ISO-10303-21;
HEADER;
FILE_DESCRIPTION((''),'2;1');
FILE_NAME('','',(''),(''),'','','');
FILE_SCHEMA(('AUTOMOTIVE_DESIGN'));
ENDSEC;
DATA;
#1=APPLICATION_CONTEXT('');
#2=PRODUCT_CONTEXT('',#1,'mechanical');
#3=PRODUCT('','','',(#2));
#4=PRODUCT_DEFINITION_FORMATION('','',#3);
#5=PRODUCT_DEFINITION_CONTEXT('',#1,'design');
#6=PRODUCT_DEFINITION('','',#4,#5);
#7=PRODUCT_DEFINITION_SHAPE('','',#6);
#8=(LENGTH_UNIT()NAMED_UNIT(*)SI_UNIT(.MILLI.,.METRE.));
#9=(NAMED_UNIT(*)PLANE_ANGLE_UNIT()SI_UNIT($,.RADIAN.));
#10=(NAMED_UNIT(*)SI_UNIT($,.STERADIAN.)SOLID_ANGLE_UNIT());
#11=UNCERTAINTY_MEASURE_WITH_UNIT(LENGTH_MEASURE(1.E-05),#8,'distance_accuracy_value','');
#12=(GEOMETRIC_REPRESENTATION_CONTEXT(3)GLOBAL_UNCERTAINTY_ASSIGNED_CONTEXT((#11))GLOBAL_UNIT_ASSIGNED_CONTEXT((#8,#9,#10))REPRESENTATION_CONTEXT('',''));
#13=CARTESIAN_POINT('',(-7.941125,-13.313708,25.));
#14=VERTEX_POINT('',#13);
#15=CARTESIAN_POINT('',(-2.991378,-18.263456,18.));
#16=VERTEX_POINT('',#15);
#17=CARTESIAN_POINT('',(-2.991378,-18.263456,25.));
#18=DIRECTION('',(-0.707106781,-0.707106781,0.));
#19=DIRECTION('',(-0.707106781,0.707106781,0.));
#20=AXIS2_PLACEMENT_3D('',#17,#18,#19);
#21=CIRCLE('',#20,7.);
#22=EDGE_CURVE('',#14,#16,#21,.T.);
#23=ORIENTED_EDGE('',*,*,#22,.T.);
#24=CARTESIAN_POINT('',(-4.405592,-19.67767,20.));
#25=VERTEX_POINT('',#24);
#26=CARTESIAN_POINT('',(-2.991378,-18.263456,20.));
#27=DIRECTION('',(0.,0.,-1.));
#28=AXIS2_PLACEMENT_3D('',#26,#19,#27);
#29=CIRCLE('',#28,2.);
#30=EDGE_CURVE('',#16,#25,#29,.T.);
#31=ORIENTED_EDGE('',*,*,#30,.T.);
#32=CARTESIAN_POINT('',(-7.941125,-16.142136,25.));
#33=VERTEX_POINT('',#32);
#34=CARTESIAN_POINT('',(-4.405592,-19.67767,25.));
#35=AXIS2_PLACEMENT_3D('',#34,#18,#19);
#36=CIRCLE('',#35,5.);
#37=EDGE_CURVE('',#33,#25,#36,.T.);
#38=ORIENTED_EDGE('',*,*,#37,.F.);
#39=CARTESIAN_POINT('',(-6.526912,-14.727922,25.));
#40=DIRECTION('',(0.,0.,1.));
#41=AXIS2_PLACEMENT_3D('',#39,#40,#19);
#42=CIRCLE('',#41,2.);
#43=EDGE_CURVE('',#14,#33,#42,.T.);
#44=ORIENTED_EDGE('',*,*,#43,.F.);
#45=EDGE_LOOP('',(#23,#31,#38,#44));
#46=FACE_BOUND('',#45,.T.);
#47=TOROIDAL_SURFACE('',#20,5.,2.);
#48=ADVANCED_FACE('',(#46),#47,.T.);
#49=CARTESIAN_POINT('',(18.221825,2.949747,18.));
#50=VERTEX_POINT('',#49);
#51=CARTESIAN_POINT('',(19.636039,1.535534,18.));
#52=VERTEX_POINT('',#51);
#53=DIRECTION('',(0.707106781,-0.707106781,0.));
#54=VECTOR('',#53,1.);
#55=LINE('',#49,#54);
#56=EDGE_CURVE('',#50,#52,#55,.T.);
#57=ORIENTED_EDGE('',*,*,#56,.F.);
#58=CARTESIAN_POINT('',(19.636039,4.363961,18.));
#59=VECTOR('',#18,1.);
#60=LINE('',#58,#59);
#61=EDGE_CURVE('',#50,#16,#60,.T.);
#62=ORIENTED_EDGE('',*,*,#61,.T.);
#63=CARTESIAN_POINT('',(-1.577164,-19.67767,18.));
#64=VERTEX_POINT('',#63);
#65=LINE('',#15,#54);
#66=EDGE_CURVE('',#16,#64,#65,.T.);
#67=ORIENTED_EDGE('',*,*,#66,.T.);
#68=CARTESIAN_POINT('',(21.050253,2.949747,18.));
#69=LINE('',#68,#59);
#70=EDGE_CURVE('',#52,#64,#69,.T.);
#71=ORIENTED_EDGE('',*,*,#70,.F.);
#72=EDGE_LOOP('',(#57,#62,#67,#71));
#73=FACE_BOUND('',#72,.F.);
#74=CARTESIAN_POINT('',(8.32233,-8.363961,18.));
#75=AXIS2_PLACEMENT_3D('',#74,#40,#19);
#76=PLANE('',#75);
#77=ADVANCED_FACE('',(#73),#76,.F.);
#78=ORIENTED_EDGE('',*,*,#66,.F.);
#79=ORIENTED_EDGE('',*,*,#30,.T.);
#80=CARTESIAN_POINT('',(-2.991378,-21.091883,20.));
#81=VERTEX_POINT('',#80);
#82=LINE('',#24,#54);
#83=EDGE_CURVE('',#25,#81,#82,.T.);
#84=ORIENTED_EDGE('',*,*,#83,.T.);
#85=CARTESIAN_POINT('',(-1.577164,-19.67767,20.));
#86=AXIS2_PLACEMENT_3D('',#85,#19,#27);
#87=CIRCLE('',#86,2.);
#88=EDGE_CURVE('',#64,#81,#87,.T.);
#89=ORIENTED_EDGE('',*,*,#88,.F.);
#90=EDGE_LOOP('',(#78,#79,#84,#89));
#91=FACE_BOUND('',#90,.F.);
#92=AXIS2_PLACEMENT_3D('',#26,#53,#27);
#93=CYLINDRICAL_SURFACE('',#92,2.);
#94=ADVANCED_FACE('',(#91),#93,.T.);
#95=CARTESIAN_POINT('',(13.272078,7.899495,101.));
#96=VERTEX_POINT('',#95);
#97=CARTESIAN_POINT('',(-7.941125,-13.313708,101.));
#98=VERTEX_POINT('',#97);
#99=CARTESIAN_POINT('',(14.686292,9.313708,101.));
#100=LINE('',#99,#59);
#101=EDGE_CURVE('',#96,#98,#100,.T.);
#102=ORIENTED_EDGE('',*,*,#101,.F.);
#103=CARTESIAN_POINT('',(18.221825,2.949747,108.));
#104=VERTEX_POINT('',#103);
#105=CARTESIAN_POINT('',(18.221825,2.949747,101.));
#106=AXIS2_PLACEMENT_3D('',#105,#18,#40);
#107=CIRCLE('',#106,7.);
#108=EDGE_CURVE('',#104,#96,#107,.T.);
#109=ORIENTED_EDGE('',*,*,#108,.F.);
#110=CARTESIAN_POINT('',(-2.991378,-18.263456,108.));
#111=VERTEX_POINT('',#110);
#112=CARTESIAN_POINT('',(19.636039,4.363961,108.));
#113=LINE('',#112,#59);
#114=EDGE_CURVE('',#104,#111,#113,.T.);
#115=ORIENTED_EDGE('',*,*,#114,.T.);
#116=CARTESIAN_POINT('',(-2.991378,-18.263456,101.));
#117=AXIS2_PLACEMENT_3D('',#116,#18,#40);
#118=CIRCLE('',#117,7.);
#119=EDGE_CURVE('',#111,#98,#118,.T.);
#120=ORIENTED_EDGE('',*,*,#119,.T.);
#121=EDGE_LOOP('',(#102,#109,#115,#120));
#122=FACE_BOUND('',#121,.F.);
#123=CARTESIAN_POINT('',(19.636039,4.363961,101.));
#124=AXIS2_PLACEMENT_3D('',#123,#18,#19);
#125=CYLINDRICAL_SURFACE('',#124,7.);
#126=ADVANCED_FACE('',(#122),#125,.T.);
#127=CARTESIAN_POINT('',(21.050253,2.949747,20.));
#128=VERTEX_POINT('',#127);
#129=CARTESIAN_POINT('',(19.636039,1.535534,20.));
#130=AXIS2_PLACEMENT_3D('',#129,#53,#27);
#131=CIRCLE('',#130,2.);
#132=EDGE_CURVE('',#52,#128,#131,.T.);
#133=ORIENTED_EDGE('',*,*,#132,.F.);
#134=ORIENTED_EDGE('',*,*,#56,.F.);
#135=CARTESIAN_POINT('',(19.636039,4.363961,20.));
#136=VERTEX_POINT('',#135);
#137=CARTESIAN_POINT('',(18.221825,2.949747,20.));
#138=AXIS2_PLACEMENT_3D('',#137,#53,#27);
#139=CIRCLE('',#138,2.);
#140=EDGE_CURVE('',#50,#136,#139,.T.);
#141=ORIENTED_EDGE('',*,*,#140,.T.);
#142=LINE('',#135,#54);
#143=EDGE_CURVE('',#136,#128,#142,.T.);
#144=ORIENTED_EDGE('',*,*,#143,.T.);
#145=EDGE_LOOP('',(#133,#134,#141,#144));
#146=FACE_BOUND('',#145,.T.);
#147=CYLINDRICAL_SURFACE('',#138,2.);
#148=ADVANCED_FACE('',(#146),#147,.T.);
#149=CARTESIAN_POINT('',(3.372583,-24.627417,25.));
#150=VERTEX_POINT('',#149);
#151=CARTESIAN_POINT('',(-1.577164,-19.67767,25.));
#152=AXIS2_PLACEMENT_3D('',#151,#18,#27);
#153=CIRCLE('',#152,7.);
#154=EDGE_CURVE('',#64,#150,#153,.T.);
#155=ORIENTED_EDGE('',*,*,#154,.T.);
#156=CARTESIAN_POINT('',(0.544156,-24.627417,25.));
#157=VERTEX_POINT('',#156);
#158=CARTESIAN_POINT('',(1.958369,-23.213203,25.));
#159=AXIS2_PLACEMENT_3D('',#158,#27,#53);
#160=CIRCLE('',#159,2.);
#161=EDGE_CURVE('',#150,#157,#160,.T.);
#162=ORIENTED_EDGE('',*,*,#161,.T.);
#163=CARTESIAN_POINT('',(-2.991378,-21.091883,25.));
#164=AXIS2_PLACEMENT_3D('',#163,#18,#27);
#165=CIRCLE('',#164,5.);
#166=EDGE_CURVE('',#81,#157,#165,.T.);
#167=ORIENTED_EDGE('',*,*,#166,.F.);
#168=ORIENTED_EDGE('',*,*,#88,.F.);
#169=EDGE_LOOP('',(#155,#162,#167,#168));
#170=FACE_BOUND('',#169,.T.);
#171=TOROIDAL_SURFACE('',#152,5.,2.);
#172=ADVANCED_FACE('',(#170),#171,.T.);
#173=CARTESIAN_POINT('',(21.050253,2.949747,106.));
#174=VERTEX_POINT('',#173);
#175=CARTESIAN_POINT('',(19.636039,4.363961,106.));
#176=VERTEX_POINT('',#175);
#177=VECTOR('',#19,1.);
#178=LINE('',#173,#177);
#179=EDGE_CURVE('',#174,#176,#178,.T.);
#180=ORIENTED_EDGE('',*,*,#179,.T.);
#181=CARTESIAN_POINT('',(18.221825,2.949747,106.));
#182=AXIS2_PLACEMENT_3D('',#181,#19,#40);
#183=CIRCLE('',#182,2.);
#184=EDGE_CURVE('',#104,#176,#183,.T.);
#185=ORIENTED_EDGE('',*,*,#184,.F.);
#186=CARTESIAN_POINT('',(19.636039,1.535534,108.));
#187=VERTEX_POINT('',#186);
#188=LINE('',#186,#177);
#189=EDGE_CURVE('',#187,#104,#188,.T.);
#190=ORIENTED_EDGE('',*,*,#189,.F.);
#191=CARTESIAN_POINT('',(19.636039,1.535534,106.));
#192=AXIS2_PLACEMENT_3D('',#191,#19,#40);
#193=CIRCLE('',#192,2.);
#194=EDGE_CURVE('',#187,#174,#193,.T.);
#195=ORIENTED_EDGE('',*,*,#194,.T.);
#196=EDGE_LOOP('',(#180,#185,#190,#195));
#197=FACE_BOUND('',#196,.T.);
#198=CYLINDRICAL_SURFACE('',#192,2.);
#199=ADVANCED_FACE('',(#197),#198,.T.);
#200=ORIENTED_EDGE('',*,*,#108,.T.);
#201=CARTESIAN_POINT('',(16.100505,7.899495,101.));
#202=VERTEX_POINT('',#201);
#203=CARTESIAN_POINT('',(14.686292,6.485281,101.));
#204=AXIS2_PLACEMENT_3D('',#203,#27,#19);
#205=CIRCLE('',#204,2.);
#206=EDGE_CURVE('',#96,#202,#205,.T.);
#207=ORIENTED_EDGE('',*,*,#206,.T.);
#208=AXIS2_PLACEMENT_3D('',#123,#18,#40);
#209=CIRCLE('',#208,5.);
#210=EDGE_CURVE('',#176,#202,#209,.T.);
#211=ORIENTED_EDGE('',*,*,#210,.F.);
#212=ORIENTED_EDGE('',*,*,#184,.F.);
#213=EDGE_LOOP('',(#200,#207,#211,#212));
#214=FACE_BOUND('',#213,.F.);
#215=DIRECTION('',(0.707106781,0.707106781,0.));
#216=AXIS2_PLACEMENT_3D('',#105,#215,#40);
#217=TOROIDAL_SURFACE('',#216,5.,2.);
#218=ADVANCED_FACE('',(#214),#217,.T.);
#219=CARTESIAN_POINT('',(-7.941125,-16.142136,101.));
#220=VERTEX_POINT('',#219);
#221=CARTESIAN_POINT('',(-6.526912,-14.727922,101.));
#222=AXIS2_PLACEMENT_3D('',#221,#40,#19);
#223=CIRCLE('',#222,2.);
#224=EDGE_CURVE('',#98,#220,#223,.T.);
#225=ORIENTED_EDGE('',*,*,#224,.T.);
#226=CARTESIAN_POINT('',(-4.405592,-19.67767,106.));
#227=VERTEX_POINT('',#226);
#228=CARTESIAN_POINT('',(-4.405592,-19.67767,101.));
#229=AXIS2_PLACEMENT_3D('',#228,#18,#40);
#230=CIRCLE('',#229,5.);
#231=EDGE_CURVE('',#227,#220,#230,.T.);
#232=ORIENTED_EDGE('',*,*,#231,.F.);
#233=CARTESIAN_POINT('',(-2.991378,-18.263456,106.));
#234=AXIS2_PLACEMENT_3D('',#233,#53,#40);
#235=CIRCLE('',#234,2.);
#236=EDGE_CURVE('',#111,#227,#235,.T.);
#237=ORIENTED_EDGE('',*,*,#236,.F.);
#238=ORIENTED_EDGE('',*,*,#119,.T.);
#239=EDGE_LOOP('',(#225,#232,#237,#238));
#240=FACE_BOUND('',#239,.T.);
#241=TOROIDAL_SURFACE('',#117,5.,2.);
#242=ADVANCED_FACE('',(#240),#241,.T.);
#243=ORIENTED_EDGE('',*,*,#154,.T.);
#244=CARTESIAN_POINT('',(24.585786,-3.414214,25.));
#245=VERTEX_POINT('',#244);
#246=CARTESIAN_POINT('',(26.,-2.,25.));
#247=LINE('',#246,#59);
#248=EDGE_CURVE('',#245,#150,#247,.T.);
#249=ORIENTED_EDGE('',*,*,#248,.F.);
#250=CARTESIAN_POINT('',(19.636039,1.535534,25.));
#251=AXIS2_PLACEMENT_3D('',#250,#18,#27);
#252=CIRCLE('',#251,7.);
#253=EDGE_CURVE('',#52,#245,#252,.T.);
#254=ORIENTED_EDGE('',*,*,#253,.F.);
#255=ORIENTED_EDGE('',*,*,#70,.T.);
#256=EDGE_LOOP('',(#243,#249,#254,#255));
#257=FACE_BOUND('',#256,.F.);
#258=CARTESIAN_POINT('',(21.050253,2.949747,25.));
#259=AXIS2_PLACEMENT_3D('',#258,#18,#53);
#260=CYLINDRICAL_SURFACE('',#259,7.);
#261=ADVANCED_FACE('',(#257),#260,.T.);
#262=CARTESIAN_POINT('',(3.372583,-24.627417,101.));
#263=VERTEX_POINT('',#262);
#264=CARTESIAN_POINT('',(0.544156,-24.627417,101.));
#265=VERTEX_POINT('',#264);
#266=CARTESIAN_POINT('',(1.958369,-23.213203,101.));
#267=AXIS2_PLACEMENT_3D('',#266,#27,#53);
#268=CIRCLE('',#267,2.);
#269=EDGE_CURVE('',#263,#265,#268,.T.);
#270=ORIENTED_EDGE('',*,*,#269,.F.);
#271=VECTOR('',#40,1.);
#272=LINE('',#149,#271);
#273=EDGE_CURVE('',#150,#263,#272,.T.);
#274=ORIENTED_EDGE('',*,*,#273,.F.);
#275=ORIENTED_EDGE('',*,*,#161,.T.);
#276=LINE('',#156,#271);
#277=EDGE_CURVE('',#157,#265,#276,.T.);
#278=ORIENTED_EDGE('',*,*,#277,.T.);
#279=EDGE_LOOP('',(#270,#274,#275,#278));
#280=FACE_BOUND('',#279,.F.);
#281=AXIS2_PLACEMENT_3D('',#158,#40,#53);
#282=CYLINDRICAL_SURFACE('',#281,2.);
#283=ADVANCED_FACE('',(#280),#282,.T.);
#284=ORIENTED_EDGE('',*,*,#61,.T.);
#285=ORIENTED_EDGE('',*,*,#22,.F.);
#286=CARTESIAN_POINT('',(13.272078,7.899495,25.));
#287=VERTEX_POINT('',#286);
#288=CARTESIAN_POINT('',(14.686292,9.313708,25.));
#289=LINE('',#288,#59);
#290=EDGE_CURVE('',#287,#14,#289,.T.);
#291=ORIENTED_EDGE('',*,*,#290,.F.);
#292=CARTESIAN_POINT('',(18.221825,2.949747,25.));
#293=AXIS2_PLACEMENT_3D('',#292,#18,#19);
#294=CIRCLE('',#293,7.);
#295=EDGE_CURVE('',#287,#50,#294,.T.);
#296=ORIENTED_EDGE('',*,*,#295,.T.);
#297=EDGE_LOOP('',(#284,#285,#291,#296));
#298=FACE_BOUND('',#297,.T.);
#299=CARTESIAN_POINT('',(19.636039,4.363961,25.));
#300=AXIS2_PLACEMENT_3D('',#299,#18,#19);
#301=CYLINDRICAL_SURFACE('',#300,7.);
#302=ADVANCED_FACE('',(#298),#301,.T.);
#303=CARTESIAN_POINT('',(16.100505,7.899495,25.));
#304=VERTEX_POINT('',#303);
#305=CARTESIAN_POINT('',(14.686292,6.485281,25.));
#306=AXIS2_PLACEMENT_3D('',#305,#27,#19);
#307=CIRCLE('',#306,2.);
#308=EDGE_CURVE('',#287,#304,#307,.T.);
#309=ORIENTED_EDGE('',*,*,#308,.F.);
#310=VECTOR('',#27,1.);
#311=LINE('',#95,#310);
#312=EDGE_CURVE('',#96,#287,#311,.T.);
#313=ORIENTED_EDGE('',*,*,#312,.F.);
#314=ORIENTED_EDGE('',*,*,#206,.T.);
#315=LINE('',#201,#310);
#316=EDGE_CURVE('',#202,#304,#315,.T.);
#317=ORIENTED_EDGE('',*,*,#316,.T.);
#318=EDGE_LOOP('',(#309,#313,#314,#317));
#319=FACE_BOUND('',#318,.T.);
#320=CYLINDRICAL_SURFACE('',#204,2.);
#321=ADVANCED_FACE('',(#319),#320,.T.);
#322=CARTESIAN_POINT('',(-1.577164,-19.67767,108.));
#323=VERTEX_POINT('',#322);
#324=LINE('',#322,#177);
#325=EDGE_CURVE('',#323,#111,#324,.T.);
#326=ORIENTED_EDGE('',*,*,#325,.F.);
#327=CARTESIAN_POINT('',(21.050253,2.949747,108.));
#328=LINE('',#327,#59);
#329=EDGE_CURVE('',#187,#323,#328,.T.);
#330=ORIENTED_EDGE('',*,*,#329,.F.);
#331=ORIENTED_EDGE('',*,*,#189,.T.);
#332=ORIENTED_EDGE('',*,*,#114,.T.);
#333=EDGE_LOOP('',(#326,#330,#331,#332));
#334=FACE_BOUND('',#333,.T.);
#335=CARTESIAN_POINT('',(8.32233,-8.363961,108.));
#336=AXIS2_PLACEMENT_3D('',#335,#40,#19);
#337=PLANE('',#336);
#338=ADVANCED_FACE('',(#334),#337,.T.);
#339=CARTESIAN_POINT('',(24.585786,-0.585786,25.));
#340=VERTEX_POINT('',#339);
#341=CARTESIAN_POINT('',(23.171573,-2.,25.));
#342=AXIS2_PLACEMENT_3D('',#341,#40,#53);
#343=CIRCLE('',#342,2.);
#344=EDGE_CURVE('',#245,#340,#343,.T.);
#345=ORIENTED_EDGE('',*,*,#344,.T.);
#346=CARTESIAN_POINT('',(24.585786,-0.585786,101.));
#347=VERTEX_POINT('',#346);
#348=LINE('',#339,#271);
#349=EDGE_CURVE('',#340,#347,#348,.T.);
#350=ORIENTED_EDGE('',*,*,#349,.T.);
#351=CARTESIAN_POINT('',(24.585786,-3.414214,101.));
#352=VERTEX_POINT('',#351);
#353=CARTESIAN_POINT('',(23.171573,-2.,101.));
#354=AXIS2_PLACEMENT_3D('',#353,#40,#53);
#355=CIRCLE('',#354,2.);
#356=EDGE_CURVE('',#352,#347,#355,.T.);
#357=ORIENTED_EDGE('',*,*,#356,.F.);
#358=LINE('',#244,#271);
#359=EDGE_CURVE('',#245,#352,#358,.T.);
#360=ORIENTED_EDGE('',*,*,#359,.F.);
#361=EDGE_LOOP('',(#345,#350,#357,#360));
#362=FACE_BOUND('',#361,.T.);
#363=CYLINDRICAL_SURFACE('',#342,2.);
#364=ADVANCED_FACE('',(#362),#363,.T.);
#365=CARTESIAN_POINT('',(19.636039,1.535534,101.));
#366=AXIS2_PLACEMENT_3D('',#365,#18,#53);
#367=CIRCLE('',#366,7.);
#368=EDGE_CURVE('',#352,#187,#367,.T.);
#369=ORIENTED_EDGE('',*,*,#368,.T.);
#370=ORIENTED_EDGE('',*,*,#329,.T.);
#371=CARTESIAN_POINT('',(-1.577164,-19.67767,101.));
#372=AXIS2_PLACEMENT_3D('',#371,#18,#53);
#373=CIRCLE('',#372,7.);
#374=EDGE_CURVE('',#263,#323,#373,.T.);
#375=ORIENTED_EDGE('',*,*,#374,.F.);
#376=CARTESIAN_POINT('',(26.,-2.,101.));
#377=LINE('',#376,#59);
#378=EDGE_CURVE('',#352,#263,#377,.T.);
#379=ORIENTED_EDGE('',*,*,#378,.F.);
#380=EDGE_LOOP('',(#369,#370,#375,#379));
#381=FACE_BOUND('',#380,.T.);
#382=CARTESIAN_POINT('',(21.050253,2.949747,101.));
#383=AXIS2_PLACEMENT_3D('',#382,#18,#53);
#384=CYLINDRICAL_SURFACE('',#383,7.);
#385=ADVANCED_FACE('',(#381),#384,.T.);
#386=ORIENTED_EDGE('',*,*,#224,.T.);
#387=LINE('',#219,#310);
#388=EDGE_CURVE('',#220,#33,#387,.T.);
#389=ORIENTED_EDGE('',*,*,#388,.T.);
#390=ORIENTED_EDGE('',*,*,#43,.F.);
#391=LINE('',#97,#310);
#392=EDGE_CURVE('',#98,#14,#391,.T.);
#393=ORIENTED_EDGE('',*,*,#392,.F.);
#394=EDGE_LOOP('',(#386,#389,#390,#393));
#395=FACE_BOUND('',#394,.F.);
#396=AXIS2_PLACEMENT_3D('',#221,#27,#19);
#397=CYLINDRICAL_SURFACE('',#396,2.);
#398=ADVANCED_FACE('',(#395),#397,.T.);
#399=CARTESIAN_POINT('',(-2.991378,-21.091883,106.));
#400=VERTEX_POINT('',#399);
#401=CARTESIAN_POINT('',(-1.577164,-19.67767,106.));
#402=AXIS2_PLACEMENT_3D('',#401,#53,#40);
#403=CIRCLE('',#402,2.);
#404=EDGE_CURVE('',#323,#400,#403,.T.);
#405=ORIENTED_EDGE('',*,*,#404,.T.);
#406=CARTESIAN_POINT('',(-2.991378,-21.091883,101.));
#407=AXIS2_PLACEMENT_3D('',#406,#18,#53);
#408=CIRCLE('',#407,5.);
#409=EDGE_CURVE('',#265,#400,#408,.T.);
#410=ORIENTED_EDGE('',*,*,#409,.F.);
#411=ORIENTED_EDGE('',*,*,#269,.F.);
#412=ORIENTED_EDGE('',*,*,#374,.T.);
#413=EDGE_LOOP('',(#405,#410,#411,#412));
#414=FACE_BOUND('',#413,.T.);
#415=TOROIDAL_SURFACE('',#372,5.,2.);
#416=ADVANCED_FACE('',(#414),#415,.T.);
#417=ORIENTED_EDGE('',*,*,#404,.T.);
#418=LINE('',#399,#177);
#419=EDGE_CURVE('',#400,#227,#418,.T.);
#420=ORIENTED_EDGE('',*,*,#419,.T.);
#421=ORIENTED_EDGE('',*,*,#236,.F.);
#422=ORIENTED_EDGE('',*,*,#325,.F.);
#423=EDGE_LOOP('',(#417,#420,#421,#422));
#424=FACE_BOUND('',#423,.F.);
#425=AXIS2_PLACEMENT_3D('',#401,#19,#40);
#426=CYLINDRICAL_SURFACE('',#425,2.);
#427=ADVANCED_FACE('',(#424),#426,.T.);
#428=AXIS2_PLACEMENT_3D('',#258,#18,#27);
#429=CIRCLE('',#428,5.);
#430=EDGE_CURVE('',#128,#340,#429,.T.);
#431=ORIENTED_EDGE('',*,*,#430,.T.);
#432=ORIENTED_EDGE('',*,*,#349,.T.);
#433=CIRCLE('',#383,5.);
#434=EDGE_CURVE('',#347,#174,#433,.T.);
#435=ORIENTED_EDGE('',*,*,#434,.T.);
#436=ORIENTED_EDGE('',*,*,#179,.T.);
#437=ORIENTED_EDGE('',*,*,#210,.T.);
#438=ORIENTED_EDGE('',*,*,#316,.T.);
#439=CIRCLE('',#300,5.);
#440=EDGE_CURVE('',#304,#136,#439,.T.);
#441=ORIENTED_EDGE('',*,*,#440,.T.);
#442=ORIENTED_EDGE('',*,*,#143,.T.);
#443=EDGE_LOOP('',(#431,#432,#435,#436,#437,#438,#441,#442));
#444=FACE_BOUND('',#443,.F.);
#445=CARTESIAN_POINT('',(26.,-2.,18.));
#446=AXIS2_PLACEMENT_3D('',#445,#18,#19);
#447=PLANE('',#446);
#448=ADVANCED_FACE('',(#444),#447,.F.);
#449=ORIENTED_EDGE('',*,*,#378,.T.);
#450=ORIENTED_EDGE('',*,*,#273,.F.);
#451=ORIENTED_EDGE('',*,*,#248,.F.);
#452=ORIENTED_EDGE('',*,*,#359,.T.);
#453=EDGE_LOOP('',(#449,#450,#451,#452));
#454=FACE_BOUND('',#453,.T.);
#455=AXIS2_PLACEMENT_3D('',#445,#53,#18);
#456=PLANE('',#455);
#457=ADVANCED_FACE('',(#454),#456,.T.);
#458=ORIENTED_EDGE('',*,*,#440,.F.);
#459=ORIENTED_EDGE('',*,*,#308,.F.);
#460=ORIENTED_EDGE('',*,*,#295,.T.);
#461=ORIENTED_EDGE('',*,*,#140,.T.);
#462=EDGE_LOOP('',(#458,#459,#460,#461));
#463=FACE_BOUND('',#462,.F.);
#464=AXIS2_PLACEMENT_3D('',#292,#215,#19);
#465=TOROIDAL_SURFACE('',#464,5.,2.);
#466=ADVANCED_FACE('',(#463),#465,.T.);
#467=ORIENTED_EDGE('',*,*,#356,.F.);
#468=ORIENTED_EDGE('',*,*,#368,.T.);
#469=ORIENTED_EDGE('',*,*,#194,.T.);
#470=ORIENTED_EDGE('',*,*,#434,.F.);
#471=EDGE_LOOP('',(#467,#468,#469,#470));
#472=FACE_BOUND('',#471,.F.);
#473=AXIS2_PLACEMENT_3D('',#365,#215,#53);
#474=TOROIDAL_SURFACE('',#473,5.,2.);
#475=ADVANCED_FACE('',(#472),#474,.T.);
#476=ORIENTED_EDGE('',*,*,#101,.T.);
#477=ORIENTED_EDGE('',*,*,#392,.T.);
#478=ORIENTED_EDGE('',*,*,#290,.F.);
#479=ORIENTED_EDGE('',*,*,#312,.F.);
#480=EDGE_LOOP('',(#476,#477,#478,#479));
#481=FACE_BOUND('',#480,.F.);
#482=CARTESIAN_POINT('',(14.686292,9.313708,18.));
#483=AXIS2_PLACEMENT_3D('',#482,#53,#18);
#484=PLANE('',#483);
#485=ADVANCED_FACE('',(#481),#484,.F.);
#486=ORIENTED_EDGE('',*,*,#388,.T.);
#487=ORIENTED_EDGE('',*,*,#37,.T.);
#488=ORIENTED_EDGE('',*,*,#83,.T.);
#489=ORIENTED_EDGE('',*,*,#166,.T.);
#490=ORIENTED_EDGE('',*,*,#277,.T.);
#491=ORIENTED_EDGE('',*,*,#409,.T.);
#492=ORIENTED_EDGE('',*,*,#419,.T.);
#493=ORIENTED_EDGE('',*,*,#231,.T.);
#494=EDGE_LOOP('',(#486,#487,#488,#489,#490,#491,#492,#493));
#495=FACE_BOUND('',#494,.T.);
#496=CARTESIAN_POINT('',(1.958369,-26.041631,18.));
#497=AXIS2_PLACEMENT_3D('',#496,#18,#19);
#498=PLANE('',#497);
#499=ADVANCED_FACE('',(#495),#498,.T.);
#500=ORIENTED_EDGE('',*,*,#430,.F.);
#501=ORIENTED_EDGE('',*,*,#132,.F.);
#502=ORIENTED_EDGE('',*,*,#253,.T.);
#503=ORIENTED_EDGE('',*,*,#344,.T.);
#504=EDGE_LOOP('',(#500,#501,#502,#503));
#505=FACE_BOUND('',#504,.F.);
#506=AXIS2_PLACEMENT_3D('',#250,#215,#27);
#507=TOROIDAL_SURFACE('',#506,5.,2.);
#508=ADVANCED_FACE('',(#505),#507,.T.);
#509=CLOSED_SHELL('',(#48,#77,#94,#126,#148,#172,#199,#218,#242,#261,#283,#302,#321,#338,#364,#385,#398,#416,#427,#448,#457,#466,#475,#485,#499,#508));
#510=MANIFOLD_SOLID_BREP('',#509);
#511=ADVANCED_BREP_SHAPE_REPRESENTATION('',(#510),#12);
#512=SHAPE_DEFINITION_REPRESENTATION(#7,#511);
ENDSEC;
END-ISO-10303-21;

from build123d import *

# Parameters (mm, degrees)
BOX016_W                  = 16
BOX016_H                  = 34
BOX016_DEPTH              = 90
BOX016_PLACEMENT_ANGLE    = 45
FILLET_R                  = 7
FILLET001_R               = 2
FILLET001_PLACEMENT_ANGLE = 90


with BuildPart() as part:
    # Box016 → Box016 (new body)
    with BuildSketch(Plane.XY):
        with Locations((8, 17)):
            Rectangle(BOX016_W, BOX016_H)
    extrude(amount=BOX016_DEPTH)


with BuildPart() as part_1:
    # Box016 placement: moved
    add(part.part.moved(Location((0, 0, 180))).rotate(Axis((0, 0, 180), (0, 0, 1)), BOX016_PLACEMENT_ANGLE))

    # Fillet
    fillet_edges = [part_1.edges().sort_by_distance(p)[0] for p in [
        (-12.020815, 12.020815, 270),
        (-12.020815, 12.020815, 180),
        (-0.707107, 23.334524, 270),
        (-0.707107, 23.334524, 180),
    ]]
    fillet(fillet_edges, radius=FILLET_R)


with BuildPart() as part_2:
    # Fillet placement: moved
    add(part_1.part.moved(Location((-2, -26, -162))))

    # Fillet001
    fillet001_edges = [part_2.edges().sort_by_distance(p)[0] for p in [
        (-2, -26, 63),
        (-26.041631, -1.958369, 63),
    ]]
    fillet(fillet001_edges, radius=FILLET001_R)


with BuildPart() as part_3:
    # Fillet001 placement: moved
    add(part_2.part.rotate(Axis((0, 0, 0), (0, 0, 1)), FILLET001_PLACEMENT_ANGLE))


solid = part_3.part
